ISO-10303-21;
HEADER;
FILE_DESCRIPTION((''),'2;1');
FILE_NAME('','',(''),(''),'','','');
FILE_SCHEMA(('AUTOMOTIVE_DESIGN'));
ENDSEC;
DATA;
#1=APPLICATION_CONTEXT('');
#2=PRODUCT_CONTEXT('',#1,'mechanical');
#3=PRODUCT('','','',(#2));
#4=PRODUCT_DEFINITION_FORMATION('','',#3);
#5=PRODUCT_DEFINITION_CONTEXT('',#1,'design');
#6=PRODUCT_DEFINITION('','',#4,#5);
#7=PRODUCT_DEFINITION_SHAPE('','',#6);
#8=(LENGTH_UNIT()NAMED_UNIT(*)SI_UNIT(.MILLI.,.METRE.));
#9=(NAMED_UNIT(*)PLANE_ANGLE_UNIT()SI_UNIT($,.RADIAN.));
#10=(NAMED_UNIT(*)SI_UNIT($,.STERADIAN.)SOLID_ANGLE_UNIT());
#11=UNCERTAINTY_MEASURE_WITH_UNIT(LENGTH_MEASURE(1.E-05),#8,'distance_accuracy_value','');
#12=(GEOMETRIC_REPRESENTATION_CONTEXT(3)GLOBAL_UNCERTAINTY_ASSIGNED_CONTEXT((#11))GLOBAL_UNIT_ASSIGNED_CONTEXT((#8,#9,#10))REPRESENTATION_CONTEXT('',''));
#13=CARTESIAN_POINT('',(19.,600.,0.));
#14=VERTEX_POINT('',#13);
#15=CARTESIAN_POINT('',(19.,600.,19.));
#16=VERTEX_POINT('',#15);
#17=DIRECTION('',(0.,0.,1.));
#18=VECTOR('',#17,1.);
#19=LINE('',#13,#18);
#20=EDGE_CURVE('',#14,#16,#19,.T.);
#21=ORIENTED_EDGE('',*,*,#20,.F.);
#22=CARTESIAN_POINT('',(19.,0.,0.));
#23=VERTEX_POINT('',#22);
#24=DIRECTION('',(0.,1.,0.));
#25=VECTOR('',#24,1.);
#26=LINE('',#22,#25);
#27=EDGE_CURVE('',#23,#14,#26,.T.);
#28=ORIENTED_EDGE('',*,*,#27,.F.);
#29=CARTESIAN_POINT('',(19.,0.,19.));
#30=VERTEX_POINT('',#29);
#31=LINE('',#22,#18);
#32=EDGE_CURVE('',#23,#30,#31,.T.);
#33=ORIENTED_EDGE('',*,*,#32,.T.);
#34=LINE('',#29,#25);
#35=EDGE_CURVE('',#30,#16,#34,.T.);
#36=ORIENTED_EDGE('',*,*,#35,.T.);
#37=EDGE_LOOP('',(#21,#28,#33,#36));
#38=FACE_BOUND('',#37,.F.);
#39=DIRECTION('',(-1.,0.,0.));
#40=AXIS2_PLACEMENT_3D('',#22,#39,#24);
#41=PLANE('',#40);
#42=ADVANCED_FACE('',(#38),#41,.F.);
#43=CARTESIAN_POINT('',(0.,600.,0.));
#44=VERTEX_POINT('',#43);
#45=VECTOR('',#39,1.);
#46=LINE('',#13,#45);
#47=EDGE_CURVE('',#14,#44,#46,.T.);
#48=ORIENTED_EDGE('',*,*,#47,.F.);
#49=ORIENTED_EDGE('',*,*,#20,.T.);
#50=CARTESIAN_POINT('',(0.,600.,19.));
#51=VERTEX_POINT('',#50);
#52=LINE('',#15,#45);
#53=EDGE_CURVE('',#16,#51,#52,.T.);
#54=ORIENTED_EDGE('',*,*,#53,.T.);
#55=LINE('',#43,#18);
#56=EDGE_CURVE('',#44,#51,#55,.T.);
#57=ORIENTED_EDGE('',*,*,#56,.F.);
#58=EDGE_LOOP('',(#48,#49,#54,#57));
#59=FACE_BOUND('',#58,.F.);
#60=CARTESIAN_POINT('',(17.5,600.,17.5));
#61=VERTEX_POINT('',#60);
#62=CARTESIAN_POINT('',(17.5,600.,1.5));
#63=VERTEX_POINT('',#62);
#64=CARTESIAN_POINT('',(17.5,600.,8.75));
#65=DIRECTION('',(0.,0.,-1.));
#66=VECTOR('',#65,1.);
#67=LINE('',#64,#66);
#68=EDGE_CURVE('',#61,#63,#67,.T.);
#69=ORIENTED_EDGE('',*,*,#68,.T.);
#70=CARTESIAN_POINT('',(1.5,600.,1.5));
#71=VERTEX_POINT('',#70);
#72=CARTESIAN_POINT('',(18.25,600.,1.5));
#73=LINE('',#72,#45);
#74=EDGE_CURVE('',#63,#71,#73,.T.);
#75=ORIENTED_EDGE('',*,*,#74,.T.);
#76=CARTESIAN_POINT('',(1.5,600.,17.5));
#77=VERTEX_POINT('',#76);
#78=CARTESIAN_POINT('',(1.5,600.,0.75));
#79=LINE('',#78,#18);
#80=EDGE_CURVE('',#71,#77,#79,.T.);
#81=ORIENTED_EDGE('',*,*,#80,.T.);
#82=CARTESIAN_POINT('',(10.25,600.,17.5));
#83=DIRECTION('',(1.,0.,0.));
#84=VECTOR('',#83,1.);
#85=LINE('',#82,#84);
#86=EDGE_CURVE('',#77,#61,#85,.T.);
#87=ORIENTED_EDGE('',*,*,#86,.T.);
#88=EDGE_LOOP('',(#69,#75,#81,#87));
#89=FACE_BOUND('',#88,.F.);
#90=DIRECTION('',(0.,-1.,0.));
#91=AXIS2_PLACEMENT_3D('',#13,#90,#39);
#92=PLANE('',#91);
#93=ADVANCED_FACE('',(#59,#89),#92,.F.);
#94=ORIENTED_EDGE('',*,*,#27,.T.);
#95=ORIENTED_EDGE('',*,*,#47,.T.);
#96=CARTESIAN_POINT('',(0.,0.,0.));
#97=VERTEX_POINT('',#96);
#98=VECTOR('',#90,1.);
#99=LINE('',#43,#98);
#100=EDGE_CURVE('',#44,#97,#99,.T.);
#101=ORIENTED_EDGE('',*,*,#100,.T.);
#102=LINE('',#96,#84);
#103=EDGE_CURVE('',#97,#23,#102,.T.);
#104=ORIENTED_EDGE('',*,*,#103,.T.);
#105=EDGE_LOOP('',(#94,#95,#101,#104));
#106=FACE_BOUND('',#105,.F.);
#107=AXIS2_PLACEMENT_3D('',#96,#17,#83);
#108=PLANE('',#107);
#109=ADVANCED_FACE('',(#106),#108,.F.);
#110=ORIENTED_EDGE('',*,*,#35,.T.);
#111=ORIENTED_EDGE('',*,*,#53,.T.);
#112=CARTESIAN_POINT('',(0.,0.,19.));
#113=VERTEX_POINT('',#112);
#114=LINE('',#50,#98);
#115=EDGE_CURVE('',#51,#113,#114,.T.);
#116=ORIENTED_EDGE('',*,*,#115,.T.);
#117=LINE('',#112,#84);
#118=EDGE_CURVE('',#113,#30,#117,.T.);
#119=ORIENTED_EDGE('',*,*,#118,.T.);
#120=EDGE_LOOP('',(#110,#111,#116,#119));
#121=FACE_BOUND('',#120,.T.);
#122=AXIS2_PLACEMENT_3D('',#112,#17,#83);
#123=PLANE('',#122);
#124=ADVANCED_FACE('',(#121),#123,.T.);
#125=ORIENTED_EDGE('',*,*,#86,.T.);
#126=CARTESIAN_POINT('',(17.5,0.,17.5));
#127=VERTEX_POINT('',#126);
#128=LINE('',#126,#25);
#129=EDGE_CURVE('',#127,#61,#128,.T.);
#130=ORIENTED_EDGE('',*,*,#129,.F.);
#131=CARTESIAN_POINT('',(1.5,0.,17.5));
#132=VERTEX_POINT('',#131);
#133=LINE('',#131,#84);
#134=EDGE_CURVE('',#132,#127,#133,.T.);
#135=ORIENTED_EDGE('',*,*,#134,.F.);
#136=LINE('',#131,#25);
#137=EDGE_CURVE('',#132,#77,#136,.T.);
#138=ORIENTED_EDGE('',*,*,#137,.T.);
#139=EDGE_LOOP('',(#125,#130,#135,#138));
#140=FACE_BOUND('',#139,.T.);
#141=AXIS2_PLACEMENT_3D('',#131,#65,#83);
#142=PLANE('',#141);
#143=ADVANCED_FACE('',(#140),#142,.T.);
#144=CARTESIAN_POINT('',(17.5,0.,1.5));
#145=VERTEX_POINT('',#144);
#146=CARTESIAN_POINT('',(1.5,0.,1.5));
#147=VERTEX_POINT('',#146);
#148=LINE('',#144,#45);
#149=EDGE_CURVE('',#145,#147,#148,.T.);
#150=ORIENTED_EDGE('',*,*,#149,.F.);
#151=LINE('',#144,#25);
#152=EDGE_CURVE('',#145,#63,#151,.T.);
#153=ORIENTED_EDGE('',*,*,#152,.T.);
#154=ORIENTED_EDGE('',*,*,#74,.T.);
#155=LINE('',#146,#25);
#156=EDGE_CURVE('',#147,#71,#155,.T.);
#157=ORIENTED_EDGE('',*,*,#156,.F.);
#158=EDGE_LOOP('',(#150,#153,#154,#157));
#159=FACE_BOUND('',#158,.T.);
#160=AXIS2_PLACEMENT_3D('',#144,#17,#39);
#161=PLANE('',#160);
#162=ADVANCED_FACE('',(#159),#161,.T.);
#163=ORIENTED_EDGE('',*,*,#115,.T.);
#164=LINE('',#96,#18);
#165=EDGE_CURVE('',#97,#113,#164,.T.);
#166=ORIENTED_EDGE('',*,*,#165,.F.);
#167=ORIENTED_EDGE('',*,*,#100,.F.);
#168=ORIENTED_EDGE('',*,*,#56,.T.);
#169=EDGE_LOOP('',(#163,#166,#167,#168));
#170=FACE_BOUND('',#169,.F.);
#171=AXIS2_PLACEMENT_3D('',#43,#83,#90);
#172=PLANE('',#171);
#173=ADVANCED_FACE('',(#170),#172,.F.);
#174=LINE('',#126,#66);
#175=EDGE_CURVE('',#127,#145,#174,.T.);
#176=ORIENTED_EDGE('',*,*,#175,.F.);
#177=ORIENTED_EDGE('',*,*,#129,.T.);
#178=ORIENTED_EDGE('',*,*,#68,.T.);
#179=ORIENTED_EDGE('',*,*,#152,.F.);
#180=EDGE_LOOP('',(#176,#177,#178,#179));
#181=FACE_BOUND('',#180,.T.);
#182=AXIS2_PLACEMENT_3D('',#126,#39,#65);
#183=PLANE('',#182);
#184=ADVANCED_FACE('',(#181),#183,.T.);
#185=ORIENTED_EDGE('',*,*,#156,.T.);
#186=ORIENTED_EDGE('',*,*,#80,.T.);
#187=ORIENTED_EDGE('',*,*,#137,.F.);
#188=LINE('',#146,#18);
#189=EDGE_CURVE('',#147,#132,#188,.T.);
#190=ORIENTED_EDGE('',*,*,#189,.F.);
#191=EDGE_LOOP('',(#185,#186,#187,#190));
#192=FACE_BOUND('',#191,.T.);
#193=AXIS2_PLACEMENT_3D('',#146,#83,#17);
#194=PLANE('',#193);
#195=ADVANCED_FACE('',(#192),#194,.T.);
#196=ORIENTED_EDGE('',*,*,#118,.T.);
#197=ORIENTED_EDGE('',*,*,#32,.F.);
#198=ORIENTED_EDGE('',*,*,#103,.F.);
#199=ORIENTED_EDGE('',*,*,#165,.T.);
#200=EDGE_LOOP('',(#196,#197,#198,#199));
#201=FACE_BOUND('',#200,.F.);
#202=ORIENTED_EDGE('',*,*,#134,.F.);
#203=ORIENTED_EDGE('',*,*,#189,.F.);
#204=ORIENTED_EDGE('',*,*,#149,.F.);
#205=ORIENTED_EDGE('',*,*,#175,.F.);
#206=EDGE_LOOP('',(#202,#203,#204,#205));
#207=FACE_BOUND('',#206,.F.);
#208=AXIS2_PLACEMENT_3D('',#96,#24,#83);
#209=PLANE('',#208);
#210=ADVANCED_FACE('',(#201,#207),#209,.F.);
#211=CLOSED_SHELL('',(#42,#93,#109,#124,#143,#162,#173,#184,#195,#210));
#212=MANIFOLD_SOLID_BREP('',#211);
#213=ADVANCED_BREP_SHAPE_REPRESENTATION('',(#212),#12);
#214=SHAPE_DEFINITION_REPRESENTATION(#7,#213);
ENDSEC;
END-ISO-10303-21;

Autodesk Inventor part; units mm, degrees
ref_plane "YZ Plane" through (0, 0, 0) normal (1, 0, 0) x (0, 1, 0)
ref_plane "XZ Plane" through (0, 0, 0) normal (0, 1, 0) x (-1, 0, 0)
ref_plane "XY Plane" through (0, 0, 0) normal (0, 0, 1) x (1, 0, 0)
sketch "Sketch1" plane through (0, 0, 0) normal (0, 0, 1) x (1, 0, 0)
  line L0 (0, 0) -> (19, 0)
  line L1 (19, 0) -> (19, 600)
  line L2 (19, 600) -> (0, 600)
  line L3 (0, 600) -> (0, 0)
  dimension "d0" = 19
  dimension "d1" = 600
extrude "Extrusion1" add sketch "Sketch1" along normal blind 19
sketch "Sketch2" plane through (0, 0, 0) normal (0, -1, 0) x (1, 0, 0)
  line L0 (0, 0) -> (0, 19) projected
  line L1 (0, 0) -> (19, 0) projected
  line L2 (19, 0) -> (19, 19) projected
  line L3 (0, 19) -> (19, 19) projected
  line L4 (0, 0) -> (0, 19) projected
  line L5 (17.5, 1.5) -> (1.5, 1.5)
  line L6 (1.5, 1.5) -> (1.5, 17.5)
  line L7 (1.5, 17.5) -> (17.5, 17.5)
  line L8 (17.5, 17.5) -> (17.5, 1.5)
  dimension "d4" = 1.5
extrude "Extrusion2" cut sketch "Sketch2" against normal through all contours L5 L6 L7 L8
properties part number "C007" material "Aluminum 6061"
